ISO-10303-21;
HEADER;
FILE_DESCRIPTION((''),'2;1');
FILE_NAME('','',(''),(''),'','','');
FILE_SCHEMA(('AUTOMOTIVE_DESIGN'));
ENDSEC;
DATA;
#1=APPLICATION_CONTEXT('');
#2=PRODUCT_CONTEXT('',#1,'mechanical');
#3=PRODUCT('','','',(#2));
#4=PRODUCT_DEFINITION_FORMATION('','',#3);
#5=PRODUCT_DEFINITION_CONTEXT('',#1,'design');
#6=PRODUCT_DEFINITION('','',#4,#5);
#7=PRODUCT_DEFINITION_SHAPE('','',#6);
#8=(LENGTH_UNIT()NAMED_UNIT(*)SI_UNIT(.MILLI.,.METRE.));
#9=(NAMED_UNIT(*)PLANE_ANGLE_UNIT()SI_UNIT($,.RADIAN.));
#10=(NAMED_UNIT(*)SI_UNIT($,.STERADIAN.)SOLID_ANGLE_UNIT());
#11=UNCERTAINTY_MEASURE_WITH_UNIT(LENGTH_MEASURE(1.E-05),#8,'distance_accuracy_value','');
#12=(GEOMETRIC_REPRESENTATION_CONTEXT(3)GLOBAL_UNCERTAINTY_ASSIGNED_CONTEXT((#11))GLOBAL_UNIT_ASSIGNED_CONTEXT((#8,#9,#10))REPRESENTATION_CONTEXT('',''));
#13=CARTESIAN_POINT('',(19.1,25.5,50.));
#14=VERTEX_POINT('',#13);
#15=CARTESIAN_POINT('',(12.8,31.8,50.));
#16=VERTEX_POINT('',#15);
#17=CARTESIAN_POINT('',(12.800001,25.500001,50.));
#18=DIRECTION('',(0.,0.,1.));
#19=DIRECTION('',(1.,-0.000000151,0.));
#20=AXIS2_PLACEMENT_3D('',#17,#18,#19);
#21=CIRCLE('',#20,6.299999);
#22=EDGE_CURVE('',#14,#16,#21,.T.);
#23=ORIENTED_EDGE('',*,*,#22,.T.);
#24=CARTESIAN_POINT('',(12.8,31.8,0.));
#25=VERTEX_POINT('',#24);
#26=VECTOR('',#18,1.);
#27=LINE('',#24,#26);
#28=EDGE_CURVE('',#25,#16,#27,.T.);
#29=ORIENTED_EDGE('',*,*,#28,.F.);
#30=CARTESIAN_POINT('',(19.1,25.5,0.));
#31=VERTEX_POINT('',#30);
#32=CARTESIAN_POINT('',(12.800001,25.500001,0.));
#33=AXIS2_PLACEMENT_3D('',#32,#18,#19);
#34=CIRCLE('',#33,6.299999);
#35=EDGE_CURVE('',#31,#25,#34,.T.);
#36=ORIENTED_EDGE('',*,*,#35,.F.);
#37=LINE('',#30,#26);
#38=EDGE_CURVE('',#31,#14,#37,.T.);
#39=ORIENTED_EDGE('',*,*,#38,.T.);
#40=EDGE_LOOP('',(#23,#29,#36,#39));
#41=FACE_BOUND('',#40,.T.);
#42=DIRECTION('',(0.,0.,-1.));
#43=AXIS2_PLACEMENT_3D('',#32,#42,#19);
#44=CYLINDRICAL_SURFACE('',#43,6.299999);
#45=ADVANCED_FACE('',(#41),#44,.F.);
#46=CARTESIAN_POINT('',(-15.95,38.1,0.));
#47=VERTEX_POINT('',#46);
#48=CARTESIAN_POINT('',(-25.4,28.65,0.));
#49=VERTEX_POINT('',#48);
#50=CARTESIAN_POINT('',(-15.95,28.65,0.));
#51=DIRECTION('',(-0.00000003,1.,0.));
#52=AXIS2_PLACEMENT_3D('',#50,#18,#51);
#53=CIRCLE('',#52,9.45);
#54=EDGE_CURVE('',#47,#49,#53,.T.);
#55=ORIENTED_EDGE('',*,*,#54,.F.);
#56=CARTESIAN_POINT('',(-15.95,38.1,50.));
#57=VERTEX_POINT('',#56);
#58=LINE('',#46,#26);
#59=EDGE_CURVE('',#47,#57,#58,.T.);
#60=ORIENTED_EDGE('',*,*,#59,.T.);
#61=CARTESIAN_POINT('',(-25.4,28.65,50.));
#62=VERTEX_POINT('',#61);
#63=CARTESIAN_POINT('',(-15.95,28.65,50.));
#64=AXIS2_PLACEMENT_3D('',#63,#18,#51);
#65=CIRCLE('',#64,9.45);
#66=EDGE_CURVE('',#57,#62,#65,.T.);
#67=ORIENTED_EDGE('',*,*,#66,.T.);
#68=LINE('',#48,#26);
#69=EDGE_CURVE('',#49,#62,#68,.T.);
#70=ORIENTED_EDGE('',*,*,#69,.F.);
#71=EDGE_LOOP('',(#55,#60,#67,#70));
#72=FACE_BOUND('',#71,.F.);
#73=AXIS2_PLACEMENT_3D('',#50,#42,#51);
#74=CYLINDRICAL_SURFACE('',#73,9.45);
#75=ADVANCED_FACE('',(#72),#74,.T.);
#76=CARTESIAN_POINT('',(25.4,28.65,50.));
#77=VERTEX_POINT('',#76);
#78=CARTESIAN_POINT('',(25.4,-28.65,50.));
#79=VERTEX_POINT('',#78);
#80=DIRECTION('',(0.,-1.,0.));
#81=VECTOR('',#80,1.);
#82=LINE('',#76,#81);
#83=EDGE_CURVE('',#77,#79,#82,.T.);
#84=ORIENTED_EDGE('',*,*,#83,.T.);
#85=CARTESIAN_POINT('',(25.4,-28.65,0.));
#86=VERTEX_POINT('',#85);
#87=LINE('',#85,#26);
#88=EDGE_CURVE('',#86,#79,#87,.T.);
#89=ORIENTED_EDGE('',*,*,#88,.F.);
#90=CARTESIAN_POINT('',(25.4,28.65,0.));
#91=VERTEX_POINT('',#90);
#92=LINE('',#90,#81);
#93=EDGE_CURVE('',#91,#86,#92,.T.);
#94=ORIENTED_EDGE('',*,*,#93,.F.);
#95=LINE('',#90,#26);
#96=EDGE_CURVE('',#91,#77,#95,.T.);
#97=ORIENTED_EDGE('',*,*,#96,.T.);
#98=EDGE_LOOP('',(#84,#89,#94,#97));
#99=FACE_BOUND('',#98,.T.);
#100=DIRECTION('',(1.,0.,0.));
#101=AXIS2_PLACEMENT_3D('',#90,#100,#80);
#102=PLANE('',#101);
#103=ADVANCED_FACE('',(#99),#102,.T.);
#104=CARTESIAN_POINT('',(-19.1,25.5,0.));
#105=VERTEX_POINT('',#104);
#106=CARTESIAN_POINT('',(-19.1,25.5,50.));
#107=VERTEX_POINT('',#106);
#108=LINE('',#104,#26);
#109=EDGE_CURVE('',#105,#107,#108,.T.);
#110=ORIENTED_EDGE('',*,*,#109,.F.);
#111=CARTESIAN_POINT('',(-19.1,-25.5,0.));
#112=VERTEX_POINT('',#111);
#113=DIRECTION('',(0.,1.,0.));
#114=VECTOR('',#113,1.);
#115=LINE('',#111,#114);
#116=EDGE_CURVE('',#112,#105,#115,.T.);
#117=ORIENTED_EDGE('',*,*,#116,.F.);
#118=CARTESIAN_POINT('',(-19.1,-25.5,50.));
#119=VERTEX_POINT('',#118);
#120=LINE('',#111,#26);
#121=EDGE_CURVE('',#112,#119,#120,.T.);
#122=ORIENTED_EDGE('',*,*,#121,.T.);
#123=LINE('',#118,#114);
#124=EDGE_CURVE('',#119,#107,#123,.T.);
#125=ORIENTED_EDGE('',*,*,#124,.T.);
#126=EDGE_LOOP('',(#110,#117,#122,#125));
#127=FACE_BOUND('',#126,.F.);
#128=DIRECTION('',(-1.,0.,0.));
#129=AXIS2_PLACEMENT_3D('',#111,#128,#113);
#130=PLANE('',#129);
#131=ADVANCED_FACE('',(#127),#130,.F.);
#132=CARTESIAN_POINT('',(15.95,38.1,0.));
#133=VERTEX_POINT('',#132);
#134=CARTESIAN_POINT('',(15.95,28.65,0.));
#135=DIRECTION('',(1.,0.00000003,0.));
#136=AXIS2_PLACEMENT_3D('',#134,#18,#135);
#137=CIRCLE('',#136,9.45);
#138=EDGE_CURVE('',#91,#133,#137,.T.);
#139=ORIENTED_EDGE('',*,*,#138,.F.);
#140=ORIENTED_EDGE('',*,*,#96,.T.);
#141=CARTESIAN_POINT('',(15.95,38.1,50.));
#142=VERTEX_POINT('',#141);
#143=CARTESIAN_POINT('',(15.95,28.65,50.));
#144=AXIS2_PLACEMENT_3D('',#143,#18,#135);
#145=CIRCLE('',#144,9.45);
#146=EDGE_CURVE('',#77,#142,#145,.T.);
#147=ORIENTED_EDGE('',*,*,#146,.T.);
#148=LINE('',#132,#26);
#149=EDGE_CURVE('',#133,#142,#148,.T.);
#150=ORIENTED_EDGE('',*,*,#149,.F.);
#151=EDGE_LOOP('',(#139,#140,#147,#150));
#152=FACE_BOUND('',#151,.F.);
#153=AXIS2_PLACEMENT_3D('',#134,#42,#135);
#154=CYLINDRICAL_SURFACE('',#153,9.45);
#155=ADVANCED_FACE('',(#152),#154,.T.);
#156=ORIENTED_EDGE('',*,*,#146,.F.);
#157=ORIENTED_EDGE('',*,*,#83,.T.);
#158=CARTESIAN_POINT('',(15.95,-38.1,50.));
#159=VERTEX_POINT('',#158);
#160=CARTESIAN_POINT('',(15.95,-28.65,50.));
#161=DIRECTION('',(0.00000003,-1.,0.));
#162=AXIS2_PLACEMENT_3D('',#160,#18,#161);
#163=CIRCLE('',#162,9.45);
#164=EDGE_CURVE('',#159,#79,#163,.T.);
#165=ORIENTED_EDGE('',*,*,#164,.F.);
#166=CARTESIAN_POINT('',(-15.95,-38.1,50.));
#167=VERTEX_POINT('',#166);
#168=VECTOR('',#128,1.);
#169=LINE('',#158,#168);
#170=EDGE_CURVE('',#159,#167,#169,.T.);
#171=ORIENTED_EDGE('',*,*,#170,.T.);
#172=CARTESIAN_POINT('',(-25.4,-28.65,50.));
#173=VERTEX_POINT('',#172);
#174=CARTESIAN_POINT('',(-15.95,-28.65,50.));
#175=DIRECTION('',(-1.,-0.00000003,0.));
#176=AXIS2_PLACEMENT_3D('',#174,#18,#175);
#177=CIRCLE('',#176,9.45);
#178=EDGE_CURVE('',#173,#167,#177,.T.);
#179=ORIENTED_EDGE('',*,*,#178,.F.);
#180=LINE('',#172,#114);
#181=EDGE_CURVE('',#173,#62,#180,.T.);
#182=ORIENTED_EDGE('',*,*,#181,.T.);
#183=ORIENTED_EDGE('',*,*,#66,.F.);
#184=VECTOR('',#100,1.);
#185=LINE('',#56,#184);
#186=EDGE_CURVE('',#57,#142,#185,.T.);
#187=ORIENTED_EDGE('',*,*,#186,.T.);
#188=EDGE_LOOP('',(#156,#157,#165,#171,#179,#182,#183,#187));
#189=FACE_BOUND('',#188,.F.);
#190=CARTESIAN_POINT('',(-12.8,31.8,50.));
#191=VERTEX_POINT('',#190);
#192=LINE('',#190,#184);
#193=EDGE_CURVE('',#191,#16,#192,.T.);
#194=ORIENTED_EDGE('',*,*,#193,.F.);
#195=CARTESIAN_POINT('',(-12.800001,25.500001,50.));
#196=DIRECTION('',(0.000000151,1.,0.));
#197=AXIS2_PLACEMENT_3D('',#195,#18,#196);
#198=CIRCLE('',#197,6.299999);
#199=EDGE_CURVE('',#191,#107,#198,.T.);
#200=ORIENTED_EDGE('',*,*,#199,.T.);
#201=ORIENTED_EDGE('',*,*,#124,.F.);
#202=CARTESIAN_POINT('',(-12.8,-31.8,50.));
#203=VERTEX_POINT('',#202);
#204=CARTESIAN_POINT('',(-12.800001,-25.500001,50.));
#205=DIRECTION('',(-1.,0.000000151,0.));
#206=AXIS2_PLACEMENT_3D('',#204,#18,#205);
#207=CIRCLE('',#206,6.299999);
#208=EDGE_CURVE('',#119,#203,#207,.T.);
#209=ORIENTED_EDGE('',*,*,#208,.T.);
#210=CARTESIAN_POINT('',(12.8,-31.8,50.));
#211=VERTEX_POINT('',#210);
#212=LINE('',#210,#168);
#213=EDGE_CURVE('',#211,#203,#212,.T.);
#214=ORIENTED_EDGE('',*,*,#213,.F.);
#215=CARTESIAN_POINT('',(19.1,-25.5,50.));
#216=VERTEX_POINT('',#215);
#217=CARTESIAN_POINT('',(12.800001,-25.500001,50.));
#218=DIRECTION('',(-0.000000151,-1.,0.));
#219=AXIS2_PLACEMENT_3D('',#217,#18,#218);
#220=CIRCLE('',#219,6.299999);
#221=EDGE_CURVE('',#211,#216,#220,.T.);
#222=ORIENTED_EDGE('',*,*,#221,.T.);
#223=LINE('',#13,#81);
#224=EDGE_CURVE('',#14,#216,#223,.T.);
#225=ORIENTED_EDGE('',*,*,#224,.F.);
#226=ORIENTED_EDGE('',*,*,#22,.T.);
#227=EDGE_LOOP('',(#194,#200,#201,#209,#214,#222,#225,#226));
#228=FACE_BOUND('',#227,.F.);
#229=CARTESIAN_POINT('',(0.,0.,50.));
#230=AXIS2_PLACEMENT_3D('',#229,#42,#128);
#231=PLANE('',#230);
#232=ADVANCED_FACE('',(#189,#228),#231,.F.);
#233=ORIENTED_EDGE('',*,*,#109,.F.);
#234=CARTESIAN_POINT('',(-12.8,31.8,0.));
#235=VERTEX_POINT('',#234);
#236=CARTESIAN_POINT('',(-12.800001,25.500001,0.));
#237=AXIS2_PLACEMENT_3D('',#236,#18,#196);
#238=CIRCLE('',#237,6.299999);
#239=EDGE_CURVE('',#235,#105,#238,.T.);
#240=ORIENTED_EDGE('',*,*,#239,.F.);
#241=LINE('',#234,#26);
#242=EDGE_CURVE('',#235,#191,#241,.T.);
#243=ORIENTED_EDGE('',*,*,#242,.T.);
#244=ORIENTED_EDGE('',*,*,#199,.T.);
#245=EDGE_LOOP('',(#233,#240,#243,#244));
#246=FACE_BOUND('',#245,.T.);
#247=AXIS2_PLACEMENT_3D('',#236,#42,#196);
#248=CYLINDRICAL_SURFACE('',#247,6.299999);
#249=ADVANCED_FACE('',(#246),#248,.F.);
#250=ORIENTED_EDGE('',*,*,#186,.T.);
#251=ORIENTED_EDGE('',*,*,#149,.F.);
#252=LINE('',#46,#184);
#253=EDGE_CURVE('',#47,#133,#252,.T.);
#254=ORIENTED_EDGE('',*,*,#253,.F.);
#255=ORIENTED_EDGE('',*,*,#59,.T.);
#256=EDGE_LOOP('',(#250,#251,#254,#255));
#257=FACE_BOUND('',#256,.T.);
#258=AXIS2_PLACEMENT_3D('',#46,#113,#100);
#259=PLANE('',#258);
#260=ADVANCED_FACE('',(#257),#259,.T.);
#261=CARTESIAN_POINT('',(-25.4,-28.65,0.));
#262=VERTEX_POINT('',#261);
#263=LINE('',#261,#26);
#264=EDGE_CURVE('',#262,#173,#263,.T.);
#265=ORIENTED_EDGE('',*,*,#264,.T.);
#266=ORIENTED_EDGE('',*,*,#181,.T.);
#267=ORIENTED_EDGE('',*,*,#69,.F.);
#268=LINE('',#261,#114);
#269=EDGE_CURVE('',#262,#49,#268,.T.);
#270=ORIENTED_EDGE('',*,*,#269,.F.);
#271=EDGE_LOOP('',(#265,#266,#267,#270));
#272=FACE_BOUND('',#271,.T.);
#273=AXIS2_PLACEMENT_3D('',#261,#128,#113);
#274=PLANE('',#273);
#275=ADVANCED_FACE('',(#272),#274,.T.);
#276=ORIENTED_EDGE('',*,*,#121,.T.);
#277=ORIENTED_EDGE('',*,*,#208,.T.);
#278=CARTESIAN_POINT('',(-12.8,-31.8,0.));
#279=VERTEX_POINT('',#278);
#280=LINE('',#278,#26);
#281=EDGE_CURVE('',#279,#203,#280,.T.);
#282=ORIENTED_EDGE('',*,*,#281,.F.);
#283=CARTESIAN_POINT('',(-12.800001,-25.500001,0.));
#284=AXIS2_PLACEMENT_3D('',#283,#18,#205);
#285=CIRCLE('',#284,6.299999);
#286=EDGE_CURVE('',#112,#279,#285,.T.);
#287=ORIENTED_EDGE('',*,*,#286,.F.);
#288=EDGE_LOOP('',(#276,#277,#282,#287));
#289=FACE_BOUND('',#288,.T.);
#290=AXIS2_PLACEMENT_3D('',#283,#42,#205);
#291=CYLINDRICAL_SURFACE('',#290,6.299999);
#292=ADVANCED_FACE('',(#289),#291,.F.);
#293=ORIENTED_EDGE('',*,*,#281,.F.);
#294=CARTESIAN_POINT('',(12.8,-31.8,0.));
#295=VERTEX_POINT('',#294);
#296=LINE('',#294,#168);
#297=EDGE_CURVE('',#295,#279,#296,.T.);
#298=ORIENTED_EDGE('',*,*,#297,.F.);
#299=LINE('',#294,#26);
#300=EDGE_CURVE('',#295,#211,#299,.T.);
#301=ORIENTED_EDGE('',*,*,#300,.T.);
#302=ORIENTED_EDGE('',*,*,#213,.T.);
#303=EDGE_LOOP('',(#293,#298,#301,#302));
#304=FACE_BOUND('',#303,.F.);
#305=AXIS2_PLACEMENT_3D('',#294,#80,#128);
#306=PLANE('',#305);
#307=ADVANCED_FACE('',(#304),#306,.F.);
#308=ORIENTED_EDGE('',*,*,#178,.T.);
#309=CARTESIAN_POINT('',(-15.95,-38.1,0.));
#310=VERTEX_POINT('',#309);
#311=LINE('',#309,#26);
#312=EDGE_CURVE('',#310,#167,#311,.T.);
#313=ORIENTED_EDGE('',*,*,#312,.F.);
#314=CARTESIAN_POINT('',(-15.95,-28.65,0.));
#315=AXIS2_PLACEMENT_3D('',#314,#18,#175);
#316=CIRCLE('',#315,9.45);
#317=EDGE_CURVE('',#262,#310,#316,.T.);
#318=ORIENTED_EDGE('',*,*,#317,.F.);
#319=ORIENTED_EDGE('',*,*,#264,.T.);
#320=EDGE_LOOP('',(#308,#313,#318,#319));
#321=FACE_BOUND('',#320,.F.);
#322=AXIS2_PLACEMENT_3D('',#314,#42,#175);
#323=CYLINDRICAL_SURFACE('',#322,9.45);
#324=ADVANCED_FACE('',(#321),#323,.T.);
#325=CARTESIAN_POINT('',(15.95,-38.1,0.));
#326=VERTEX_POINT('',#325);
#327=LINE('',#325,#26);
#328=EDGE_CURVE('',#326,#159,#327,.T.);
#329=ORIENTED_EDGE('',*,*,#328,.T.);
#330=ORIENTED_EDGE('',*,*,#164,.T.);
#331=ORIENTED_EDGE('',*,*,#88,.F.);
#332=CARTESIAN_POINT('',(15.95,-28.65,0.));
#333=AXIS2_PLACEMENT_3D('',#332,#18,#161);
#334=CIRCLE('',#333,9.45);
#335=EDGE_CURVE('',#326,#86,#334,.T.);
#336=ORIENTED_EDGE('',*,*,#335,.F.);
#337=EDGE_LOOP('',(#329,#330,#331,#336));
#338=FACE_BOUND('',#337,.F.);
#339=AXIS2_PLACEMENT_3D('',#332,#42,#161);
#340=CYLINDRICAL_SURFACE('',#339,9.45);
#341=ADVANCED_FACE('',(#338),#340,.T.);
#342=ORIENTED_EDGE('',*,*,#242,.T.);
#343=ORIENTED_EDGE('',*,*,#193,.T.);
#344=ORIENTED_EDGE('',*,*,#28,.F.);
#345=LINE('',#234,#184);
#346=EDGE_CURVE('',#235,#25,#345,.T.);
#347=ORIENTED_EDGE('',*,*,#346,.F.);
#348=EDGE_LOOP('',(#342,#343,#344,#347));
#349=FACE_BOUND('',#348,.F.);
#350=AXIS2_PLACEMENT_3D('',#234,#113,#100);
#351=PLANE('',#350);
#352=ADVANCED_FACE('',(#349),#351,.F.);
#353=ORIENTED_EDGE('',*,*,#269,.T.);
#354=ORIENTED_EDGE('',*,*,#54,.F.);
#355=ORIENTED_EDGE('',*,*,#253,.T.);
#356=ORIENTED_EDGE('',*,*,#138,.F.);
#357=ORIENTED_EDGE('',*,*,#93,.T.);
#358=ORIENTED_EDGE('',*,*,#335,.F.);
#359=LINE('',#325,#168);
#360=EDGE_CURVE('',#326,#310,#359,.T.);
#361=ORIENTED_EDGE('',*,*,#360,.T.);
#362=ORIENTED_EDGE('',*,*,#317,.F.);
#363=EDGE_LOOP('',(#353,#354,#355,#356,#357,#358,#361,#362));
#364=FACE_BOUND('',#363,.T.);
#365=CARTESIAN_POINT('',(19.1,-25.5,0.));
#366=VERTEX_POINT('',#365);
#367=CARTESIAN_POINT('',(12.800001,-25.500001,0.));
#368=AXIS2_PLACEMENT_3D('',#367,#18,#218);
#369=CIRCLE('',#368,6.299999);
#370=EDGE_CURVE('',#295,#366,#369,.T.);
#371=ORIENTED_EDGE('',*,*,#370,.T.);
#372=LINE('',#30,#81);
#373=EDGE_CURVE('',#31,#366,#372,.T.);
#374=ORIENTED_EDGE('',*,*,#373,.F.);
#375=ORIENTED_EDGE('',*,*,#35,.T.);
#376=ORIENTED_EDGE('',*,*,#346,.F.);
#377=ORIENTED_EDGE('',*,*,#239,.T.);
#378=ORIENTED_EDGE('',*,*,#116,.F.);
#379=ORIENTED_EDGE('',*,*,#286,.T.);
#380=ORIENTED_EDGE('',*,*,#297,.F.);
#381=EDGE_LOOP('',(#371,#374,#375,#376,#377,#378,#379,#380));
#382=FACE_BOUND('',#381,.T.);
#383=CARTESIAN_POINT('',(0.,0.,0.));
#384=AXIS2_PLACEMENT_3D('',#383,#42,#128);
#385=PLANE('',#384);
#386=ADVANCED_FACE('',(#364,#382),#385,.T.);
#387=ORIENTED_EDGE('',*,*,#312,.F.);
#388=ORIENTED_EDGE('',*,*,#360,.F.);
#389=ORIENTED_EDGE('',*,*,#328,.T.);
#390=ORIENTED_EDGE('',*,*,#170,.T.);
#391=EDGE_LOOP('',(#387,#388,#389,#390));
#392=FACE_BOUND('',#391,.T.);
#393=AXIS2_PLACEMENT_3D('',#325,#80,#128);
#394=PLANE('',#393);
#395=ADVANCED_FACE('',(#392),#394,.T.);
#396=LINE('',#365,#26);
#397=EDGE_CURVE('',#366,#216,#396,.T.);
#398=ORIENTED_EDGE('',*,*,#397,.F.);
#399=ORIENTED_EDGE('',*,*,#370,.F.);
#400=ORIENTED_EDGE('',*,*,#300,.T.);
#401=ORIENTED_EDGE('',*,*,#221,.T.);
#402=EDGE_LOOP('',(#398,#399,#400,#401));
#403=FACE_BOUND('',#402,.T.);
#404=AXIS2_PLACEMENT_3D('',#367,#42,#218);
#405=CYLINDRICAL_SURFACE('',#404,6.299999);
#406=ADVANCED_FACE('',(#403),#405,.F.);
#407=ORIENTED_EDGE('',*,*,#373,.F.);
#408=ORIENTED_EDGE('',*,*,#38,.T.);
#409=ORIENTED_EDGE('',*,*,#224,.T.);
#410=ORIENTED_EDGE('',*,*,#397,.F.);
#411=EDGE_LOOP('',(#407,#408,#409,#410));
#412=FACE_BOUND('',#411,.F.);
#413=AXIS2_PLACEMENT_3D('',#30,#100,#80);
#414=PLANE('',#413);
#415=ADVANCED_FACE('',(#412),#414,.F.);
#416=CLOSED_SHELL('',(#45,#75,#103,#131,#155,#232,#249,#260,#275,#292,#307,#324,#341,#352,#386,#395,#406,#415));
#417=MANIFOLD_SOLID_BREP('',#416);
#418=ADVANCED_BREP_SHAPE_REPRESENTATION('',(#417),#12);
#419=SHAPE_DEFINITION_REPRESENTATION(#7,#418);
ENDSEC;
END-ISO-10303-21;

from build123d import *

# Parameters (mm, degrees)
EXTRUDE_DEPTH = 50


with BuildPart() as part:
    # Sketch → Extrude (new body)
    with BuildSketch(Plane.XY):
        with BuildLine():
            Line((-15.95, 38.1), (15.95, 38.1))
            ThreePointArc((25.4, 28.65), (22.632159, 35.332159), (15.95, 38.1))
            Line((25.4, 28.65), (25.4, -28.65))
            ThreePointArc((15.95, -38.1), (22.632159, -35.332159), (25.4, -28.65))
            Line((15.95, -38.1), (-15.95, -38.1))
            ThreePointArc((-25.4, -28.65), (-22.632159, -35.332159), (-15.95, -38.1))
            Line((-25.4, -28.65), (-25.4, 28.65))
            ThreePointArc((-15.95, 38.1), (-22.632159, 35.332159), (-25.4, 28.65))
        make_face()
        with BuildLine():
            Line((-12.8, 31.8), (12.8, 31.8))
            ThreePointArc((19.1, 25.5), (17.254773, 29.954773), (12.8, 31.8))
            Line((19.1, 25.5), (19.1, -25.5))
            ThreePointArc((12.8, -31.8), (17.254773, -29.954773), (19.1, -25.5))
            Line((12.8, -31.8), (-12.8, -31.8))
            ThreePointArc((-19.1, -25.5), (-17.254773, -29.954773), (-12.8, -31.8))
            Line((-19.1, -25.5), (-19.1, 25.5))
            ThreePointArc((-12.8, 31.8), (-17.254773, 29.954773), (-19.1, 25.5))
        make_face(mode=Mode.SUBTRACT)
    extrude(amount=EXTRUDE_DEPTH)


solid = part.part
